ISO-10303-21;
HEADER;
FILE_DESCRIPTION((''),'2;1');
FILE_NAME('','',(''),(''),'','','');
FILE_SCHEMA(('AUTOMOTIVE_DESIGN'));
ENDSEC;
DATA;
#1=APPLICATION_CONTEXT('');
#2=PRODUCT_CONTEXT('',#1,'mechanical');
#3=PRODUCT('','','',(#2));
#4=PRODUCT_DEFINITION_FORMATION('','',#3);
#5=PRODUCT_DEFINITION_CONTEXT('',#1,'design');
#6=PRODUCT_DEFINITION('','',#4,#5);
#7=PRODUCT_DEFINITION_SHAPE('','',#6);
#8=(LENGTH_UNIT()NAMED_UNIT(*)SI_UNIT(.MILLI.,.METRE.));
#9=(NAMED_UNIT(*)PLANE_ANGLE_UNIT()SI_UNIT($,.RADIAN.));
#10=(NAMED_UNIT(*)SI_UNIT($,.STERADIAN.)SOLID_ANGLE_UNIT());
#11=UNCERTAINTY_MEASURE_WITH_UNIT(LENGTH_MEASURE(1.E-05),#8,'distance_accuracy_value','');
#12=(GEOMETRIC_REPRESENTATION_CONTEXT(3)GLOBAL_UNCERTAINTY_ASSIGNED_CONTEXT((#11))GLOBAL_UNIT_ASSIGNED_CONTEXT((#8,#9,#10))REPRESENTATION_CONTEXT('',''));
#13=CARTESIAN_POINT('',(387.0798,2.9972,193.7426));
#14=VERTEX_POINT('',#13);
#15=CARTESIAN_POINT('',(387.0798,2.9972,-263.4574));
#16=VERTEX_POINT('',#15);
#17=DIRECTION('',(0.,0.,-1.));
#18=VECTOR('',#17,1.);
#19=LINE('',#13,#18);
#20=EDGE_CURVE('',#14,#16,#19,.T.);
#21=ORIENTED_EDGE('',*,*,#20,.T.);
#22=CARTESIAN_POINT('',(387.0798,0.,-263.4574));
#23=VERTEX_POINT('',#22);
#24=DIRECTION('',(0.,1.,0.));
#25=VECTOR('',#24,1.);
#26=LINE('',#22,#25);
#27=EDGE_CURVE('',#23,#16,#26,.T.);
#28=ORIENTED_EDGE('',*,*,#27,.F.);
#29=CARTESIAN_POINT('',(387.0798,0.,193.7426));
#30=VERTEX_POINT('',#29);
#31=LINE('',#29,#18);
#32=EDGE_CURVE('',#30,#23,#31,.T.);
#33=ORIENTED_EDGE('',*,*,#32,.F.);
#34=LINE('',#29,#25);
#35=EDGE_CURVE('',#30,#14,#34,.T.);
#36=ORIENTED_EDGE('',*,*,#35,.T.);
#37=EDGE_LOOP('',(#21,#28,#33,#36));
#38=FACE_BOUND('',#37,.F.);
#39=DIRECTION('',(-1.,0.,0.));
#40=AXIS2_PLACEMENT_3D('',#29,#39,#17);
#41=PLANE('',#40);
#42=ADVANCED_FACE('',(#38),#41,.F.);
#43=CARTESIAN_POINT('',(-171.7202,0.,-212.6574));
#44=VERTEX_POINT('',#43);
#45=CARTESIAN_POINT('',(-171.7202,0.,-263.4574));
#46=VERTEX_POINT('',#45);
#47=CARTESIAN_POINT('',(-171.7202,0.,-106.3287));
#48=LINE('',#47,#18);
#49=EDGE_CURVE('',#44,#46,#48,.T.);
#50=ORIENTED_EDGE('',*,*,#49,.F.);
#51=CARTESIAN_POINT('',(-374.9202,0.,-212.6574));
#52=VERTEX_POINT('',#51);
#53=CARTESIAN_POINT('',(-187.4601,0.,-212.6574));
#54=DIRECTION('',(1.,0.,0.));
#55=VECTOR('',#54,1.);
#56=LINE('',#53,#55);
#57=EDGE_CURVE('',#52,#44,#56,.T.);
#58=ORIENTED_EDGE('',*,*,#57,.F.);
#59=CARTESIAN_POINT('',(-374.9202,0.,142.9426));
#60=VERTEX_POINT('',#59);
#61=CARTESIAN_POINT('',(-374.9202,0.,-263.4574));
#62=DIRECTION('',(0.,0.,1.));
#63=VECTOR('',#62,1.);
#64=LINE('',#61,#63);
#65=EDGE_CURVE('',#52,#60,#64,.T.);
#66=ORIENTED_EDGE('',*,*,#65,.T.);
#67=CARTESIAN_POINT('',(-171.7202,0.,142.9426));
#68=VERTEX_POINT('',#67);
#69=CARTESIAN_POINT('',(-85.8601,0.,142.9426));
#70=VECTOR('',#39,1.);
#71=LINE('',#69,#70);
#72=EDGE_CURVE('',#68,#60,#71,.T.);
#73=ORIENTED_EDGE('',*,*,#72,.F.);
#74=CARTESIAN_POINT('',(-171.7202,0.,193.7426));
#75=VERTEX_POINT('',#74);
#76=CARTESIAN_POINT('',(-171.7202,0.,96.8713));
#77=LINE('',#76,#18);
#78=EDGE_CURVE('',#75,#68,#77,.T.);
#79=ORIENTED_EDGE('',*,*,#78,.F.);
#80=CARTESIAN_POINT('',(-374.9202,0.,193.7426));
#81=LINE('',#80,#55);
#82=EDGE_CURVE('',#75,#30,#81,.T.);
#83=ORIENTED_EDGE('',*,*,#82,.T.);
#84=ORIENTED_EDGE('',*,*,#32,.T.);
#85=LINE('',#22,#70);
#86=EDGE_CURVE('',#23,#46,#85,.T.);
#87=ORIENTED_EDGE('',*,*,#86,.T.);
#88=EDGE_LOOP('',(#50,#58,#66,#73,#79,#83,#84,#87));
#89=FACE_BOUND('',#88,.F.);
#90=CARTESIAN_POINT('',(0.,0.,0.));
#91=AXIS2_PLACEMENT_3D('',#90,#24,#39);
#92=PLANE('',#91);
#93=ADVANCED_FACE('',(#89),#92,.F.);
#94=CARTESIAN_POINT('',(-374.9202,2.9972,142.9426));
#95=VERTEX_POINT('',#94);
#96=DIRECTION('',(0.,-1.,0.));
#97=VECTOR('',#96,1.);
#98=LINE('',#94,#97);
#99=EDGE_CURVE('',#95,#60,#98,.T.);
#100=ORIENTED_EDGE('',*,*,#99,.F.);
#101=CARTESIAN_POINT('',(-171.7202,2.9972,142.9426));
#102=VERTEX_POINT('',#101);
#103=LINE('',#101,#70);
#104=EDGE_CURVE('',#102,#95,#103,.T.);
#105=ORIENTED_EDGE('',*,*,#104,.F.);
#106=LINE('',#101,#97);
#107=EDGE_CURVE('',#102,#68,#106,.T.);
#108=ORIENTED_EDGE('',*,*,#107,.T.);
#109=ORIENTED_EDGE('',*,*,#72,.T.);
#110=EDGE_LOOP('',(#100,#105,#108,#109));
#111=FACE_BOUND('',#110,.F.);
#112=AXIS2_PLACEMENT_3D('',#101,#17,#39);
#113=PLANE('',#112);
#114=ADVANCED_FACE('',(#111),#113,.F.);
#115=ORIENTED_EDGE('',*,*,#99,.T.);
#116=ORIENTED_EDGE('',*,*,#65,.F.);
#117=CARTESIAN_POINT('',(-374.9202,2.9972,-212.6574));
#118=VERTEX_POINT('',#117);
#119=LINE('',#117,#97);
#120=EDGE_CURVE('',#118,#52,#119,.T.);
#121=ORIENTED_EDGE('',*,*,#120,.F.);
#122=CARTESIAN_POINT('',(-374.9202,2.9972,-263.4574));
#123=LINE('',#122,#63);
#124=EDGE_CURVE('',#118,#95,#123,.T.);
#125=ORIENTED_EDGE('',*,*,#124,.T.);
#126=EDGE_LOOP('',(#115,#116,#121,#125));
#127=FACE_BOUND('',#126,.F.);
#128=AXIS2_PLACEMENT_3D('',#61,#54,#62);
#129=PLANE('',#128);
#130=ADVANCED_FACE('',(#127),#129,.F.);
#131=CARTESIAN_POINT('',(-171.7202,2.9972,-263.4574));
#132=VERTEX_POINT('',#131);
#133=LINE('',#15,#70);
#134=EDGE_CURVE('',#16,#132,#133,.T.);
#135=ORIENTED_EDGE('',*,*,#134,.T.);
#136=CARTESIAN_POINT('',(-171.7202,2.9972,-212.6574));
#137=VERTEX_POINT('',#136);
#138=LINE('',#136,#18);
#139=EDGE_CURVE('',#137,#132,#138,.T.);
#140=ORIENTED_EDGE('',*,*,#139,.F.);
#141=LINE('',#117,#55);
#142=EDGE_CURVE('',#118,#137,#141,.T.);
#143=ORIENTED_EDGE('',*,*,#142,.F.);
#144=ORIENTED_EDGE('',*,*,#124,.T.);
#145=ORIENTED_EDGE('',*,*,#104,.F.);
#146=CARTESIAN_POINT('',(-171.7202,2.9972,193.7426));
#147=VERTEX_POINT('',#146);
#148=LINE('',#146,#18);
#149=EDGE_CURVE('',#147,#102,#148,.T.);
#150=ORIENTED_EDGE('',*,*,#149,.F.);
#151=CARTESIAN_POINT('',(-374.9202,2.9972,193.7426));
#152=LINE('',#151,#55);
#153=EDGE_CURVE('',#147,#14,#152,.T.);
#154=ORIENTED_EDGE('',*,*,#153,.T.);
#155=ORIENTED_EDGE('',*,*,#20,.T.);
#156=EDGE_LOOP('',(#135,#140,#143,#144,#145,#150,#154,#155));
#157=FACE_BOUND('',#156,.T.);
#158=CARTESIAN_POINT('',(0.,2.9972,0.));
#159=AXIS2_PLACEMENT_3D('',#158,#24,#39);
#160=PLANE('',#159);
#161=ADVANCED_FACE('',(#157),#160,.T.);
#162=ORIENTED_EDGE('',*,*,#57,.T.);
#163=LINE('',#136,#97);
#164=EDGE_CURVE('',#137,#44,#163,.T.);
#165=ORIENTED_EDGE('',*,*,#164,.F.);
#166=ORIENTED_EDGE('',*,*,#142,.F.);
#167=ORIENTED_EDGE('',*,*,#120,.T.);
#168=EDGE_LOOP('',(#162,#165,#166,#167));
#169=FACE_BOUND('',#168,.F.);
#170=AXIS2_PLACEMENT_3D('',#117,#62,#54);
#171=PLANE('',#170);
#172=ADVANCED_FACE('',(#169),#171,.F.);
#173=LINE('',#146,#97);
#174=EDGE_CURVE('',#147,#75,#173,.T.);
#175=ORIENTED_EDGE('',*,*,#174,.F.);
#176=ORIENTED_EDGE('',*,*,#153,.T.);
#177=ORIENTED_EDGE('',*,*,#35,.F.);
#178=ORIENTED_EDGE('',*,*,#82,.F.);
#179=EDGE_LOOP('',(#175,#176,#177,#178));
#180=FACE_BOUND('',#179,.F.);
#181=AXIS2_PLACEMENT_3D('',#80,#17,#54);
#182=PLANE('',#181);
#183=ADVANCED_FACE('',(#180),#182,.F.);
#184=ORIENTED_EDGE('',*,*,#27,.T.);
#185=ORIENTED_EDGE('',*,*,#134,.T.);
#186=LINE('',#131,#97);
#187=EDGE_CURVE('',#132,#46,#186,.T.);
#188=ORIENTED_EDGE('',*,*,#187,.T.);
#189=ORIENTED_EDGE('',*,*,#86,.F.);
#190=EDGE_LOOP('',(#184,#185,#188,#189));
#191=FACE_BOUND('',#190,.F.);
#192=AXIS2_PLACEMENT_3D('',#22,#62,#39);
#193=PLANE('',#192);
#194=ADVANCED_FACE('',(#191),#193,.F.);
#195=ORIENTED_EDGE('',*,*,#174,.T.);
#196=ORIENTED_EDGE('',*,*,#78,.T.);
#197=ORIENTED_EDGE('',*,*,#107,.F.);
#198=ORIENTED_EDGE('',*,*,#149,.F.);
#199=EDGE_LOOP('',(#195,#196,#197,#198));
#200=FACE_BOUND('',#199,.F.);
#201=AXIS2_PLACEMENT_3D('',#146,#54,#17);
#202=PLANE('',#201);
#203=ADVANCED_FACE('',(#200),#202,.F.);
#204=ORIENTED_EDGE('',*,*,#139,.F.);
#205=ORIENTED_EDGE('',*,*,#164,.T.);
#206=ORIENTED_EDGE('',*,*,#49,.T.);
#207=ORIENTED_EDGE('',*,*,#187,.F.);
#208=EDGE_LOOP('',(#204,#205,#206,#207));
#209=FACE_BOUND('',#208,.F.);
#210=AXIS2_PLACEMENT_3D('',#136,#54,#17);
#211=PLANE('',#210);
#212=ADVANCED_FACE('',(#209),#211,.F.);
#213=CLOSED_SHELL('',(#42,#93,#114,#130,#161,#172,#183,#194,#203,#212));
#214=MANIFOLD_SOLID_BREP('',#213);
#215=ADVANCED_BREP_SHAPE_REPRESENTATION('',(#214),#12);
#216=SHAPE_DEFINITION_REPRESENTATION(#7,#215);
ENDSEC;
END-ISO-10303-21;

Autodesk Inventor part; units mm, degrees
ref_plane "YZ Plane" through (0, 0, 0) normal (1, 0, 0) x (0, 1, 0)
ref_plane "XZ Plane" through (0, 0, 0) normal (0, 1, 0) x (-1, 0, 0)
ref_plane "XY Plane" through (0, 0, 0) normal (0, 0, 1) x (1, 0, 0)
sketch "Sketch1" plane through (0, 0, 0) normal (0, 1, 0) x (-1, 0, 0)
  line L0 (374.9202, 193.7426) -> (-387.0798, 193.7426)
  line L1 (-387.0798, 193.7426) -> (-387.0798, -263.4574)
  line L2 (-387.0798, -263.4574) -> (374.9202, -263.4574)
  line L3 (374.9202, -263.4574) -> (374.9202, 193.7426)
  point P0 (0, 0)
  dimension "d0" = 457.2
  dimension "d1" = 762
extrude "Extrusion1" add sketch "Sketch1" along normal blind 2.9972
sketch "Sketch3" plane through (0, 2.9972, 0) normal (0, 1, 0) x (1, 0, 0)
  line L0 (-374.9202, 212.6574) -> (-171.7202, 212.6574)
  line L1 (-171.7202, 212.6574) -> (-171.7202, 263.4574)
  line L2 (-171.7202, 263.4574) -> (-374.9202, 263.4574)
  line L3 (-374.9202, 263.4574) -> (-374.9202, 212.6574)
  line L4 (-374.9202, 263.4574) -> (-374.9202, -193.7426) projected
  line L5 (-374.9202, -193.7426) -> (-171.7202, -193.7426)
  line L6 (-171.7202, -193.7426) -> (-171.7202, -142.9426)
  line L7 (-171.7202, -142.9426) -> (-374.9202, -142.9426)
  line L8 (-374.9202, -142.9426) -> (-374.9202, -193.7426)
  line L9 (387.0798, 263.4574) -> (-374.9202, 263.4574) projected
  line L10 (387.0798, -193.7426) -> (387.0798, 263.4574) projected
  point P0 (0, 0)
  point P1 (-374.9202, -142.9426)
  dimension "d9" = 50.8
  dimension "d12" = 203.2
extrude "Extrusion3" cut sketch "Sketch3" against normal through all
properties part number "2021 Underbelly" material "Polycarbonate, Clear"
